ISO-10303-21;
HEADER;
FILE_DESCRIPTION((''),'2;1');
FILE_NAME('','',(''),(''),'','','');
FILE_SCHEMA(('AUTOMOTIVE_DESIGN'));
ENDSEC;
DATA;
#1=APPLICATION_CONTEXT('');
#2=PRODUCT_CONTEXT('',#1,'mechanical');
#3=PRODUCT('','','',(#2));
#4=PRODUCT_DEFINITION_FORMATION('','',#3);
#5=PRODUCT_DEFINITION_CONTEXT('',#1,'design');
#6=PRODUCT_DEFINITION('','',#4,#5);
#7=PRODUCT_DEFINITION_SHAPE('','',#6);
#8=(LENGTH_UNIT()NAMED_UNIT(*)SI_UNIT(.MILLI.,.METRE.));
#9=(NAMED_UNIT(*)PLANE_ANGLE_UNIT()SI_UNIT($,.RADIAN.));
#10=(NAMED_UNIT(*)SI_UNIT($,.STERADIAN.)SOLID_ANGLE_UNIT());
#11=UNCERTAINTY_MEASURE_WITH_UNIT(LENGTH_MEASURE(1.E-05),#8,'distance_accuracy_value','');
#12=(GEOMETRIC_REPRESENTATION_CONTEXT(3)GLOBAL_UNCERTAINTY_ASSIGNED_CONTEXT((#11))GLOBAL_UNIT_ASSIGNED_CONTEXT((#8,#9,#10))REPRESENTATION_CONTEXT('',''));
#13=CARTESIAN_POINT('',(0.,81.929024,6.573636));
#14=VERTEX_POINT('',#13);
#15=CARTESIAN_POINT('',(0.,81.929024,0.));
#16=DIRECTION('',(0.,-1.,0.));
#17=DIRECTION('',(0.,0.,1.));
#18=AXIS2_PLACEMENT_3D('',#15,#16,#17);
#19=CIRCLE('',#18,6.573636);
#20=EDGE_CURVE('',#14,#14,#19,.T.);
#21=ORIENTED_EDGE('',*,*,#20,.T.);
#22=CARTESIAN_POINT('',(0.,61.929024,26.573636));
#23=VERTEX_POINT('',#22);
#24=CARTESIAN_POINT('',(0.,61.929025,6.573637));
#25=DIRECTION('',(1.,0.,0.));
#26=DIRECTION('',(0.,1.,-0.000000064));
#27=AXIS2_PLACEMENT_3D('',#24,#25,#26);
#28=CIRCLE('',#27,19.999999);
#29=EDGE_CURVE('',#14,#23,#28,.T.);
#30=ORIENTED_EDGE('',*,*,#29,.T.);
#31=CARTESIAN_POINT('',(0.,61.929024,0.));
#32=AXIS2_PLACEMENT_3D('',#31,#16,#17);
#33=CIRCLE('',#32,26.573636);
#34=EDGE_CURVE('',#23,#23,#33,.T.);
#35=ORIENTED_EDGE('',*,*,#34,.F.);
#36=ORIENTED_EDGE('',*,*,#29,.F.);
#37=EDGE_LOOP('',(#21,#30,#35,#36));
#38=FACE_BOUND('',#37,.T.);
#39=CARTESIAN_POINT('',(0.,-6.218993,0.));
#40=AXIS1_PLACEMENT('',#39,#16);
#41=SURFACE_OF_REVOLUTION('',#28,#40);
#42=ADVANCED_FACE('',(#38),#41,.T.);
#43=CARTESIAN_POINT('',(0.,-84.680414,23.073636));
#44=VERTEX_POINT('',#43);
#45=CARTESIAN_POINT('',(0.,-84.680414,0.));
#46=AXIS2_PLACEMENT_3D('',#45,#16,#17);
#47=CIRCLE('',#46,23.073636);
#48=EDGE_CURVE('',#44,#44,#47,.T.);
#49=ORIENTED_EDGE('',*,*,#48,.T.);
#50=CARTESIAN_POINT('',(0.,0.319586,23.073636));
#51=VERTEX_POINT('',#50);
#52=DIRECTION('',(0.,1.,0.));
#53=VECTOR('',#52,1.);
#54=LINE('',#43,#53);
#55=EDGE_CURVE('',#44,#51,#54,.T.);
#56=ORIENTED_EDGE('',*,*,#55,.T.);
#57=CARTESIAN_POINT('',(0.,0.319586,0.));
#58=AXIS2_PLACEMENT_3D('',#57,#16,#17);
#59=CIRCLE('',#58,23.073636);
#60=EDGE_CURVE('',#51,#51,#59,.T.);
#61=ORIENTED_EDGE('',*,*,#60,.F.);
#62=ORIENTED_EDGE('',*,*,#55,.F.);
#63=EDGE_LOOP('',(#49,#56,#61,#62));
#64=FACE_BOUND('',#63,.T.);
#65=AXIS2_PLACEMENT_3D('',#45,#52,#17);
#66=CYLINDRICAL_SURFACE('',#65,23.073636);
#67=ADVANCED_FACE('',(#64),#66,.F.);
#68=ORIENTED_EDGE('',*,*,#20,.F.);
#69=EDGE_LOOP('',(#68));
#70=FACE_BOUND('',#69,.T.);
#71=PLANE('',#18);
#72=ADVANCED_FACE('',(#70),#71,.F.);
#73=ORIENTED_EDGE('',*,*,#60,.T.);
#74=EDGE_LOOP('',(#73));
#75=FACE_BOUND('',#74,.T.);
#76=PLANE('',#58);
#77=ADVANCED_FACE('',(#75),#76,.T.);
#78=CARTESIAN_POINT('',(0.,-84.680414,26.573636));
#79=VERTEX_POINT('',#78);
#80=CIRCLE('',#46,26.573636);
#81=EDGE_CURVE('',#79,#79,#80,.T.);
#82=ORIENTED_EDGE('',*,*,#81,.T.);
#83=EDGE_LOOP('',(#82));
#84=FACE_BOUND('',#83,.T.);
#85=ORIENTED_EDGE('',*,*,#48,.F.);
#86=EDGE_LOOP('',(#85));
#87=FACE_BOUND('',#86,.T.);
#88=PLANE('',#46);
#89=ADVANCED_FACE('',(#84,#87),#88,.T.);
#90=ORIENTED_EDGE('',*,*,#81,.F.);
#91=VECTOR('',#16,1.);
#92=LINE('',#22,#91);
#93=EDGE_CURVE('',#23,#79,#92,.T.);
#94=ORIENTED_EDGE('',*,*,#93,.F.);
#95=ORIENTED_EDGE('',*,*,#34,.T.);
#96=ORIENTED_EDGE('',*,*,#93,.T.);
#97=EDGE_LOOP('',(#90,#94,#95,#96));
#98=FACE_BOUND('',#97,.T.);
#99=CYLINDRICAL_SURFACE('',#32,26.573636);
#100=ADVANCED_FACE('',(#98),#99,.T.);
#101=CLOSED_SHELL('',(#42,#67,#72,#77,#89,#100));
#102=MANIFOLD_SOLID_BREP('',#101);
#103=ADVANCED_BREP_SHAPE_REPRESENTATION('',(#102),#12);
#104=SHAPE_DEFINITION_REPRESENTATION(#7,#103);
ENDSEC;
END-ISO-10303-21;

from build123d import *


with BuildPart() as f1:
    # F0 (on Right) → F1 (revolve)
    with BuildSketch(Plane.YZ):
        with BuildLine():
            Line((61.929024, 26.573636), (-84.680414, 26.573636))
            Line((-84.680414, 26.573636), (-84.680414, 23.073636))
            Line((-84.680414, 23.073636), (0.319586, 23.073636))
            Line((0.319586, 23.073636), (0.319586, 0))
            Line((0.319586, 0), (81.929024, 0))
            Line((81.929024, 0), (81.929024, 6.573636))
            ThreePointArc((81.929024, 6.573636), (76.07116, 20.715772), (61.929024, 26.573636))
        make_face()
    revolve(axis=Axis((0, -6.218993, 0), (0, -1, 0)))


solid = f1.part
